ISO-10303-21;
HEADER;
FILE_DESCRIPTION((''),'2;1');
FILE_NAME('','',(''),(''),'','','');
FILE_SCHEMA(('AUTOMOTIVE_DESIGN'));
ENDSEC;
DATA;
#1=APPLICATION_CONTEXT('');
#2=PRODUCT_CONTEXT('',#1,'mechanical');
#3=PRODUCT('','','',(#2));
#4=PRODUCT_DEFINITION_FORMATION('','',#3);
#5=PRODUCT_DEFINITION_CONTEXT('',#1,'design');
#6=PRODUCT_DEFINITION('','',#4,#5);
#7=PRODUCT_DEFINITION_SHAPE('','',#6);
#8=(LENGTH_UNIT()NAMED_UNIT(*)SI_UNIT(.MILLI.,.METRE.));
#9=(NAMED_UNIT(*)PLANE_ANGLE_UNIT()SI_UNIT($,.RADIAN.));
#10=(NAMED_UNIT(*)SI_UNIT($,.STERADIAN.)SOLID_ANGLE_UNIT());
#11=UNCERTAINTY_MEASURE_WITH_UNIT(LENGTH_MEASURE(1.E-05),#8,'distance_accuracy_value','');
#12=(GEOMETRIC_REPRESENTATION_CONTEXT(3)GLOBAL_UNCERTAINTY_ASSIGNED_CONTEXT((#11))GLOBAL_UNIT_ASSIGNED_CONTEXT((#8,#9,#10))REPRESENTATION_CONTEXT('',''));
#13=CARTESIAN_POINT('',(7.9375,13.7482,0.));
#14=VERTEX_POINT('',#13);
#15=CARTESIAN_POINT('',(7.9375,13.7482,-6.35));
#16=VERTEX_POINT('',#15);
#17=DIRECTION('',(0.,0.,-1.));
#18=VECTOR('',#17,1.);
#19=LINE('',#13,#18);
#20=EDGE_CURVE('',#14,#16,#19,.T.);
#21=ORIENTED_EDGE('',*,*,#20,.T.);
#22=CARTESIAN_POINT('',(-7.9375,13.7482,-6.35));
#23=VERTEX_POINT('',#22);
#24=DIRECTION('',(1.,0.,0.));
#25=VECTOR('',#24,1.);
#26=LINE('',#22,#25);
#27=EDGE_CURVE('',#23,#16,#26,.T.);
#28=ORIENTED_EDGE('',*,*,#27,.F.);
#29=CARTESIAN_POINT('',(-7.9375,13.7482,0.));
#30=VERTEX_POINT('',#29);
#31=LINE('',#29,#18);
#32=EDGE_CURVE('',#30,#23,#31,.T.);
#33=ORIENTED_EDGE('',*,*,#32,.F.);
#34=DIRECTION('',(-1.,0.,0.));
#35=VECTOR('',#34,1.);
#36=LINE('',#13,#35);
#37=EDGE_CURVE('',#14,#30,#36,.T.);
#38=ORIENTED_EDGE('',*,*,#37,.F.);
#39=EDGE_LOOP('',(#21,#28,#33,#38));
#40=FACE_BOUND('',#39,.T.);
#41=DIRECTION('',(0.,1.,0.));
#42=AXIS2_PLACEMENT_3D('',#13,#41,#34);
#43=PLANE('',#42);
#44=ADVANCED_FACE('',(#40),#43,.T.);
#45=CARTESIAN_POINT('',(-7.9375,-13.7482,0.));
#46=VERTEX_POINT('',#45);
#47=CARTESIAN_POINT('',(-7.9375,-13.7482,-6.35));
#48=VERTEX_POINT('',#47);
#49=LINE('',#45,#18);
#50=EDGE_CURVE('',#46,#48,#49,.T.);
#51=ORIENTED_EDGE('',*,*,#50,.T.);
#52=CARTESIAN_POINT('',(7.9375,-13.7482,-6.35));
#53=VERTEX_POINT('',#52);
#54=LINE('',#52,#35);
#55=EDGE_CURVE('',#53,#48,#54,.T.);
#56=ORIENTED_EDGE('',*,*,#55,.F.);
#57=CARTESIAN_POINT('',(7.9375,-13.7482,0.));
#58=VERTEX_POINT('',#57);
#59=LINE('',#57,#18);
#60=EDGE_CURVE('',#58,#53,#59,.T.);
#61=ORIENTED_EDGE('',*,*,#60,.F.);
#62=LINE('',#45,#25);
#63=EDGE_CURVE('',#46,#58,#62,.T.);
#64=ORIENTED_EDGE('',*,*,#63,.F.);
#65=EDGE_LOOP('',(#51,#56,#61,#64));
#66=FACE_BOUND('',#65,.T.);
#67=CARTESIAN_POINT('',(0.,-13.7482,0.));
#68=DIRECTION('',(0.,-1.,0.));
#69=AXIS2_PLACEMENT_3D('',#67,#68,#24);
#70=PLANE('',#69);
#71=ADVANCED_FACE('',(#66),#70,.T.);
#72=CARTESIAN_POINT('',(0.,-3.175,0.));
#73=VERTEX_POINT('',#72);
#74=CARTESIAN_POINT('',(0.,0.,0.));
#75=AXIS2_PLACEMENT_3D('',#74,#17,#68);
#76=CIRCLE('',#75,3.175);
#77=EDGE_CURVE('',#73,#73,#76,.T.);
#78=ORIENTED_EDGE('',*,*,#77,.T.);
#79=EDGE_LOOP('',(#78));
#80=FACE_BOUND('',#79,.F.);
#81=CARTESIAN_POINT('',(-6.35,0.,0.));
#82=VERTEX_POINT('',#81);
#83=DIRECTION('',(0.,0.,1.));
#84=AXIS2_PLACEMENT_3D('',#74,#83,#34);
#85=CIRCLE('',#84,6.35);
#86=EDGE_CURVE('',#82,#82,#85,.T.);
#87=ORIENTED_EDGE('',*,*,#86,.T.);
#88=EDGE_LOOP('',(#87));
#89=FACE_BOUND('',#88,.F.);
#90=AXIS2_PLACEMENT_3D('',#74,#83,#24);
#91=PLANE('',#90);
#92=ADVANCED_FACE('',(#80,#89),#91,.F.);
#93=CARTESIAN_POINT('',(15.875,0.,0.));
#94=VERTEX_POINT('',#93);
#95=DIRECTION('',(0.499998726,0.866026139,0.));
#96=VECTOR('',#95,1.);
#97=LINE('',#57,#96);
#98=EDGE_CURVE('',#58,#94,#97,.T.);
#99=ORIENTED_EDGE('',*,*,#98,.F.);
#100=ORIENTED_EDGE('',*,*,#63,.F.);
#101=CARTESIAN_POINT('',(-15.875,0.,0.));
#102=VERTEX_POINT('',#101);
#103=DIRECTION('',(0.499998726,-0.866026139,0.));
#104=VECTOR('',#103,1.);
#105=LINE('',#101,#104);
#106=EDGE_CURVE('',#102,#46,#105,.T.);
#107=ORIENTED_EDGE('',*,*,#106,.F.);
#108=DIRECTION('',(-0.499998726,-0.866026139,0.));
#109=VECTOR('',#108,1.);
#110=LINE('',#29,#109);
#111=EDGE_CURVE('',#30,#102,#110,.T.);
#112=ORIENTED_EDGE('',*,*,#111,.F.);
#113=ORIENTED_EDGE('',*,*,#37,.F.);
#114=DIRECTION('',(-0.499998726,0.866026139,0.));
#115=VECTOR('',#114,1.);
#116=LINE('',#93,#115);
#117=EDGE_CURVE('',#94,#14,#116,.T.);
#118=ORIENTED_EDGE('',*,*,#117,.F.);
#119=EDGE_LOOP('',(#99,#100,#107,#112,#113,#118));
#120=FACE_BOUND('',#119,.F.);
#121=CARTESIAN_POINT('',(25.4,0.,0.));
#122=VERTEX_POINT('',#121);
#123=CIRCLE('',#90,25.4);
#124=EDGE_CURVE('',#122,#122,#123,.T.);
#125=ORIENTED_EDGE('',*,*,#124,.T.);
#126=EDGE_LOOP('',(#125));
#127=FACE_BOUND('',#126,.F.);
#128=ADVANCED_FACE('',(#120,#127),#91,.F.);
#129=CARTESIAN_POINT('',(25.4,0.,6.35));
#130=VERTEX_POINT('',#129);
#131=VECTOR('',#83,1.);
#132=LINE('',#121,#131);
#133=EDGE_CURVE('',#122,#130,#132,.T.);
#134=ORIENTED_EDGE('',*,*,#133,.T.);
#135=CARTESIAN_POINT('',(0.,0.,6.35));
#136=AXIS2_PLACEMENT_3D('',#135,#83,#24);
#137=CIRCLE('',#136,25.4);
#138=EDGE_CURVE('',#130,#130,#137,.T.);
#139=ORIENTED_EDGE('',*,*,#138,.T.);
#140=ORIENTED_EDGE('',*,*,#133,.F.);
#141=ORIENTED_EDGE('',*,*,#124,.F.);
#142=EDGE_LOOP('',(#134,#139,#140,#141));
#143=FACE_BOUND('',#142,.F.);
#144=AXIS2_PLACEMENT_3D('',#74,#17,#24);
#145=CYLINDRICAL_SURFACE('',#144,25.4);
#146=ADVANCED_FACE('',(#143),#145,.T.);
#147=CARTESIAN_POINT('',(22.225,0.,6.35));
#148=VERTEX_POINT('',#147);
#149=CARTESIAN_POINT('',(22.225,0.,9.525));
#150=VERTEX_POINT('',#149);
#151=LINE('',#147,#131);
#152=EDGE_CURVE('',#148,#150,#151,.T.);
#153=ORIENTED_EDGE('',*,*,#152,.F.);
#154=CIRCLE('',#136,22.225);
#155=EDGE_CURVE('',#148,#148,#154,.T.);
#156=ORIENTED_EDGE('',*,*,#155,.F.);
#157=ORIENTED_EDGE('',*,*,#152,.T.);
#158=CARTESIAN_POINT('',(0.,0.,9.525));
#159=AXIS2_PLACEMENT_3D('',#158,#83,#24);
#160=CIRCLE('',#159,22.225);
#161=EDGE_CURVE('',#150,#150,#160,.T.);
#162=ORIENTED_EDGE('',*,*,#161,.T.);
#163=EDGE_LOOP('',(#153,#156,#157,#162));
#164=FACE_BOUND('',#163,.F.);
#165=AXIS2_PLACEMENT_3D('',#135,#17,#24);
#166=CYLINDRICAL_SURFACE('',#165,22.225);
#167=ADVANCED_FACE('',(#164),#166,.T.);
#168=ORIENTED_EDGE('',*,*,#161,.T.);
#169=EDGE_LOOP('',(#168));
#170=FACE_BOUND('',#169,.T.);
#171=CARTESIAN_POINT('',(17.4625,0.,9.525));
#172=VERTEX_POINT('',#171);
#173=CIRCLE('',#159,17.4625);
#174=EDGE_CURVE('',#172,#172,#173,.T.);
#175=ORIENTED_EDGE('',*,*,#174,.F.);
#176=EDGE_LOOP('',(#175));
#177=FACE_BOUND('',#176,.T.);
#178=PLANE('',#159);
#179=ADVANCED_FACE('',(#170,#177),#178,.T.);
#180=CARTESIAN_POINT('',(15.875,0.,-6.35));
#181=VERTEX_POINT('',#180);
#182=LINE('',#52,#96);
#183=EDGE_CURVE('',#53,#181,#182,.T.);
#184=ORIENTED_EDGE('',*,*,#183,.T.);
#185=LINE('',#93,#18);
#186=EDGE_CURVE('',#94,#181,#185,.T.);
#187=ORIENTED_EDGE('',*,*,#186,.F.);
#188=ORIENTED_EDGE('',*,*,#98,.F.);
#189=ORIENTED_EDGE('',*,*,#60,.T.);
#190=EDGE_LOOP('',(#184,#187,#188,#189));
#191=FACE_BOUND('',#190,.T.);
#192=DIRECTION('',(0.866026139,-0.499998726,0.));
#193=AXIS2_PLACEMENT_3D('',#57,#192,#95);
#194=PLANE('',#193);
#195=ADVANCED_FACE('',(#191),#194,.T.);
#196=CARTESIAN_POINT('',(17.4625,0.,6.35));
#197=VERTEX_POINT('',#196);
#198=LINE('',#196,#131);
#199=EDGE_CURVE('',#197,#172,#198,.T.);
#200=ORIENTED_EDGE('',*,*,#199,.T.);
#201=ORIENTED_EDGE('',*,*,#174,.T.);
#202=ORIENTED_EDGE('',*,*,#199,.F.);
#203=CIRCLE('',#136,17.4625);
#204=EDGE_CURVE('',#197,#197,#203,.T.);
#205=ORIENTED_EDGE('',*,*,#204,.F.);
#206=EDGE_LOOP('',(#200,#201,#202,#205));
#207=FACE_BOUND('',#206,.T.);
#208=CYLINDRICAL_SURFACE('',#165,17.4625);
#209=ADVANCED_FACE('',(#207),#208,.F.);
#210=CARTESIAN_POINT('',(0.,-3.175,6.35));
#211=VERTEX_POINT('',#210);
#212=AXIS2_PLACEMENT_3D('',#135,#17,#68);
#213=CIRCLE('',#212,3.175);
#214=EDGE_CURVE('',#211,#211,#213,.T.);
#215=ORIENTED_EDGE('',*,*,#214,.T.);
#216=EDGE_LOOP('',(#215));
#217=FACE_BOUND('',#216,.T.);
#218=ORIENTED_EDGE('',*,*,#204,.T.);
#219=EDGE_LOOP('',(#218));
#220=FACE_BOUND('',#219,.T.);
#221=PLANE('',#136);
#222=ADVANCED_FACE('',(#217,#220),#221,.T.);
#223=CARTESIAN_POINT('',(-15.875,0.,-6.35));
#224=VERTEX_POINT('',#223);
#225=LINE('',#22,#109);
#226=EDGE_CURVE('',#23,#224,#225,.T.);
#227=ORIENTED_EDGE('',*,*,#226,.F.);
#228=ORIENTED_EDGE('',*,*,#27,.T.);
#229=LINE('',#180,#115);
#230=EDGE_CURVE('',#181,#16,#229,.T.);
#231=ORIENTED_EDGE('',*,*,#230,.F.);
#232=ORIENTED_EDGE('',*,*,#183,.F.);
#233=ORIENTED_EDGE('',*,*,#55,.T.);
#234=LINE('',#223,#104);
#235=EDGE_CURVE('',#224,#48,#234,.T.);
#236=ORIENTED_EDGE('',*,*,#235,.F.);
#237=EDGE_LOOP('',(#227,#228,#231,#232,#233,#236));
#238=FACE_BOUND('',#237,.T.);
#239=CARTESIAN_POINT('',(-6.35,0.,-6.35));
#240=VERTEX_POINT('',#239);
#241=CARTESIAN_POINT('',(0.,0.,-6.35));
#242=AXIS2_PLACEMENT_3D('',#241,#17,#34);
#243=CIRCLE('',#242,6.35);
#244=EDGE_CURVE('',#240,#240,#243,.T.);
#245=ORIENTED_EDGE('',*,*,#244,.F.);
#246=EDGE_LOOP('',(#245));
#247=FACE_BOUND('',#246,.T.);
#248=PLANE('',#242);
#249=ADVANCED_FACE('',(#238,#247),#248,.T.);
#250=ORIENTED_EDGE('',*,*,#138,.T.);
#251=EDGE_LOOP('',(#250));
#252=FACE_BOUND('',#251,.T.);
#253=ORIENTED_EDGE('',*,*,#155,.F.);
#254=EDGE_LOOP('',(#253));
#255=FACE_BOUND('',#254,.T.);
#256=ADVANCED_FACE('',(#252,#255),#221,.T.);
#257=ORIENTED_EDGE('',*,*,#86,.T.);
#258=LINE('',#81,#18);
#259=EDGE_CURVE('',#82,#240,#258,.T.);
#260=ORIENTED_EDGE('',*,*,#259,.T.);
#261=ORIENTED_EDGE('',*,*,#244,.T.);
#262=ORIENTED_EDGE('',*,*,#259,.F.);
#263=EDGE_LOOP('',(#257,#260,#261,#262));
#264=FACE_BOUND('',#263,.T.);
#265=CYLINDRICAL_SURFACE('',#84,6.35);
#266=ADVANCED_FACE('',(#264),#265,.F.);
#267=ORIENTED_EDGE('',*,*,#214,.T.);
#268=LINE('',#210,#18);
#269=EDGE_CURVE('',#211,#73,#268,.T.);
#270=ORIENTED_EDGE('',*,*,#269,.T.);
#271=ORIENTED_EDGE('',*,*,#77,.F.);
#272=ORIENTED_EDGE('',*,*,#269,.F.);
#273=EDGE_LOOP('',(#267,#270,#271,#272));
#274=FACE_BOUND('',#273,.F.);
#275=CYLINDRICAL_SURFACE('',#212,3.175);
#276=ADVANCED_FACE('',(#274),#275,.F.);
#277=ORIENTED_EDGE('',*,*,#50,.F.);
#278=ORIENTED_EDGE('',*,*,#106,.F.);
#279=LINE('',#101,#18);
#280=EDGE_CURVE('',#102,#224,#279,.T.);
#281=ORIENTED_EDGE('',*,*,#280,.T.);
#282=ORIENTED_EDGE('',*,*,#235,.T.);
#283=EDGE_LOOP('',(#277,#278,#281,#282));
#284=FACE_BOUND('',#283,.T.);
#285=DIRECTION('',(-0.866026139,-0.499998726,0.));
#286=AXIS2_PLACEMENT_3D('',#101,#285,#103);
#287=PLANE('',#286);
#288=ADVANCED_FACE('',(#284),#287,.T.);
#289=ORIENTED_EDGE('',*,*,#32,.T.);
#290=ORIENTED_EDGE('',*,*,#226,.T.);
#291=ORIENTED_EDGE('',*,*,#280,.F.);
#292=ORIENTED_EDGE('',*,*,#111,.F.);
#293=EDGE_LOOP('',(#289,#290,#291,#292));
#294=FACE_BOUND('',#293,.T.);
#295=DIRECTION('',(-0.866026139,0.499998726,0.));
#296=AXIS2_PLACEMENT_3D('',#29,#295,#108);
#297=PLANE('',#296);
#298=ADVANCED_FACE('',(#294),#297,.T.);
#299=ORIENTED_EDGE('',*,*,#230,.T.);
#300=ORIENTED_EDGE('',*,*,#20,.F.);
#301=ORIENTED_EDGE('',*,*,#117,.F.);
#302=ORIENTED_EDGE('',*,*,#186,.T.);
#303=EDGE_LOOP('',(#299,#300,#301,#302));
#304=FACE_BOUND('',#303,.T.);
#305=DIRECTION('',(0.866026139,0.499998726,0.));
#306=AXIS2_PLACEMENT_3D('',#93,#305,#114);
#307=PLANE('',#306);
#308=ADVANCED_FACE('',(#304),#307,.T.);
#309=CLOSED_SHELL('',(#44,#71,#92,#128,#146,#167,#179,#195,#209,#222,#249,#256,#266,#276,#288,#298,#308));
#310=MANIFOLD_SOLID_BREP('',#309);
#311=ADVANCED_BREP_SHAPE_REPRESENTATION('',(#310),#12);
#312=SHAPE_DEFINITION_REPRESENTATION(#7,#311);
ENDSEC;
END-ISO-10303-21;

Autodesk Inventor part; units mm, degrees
ref_plane "YZ Plane" through (0, 0, 0) normal (1, 0, 0) x (0, 1, 0)
ref_plane "XZ Plane" through (0, 0, 0) normal (0, 1, 0) x (-1, 0, 0)
ref_plane "XY Plane" through (0, 0, 0) normal (0, 0, 1) x (1, 0, 0)
sketch "Sketch1" plane through (0, 0, 0) normal (0, 0, 1) x (1, 0, 0)
  circle A0 centre (0, 0) radius 25.4
  dimension "d0" = 50.8
extrude "Extrusion1" add sketch "Sketch1" along normal blind 6.35
sketch "Sketch2" plane through (0, 0, 6.35) normal (0, 0, 1) x (1, 0, 0)
  circle A0 centre (0, 0) radius 17.4625
  circle A1 centre (0, 0) radius 22.225
  dimension "d3" = 34.925
  dimension "d4" = 44.45
extrude "Extrusion2" add sketch "Sketch2" along normal blind 3.175
sketch "Sketch3" plane through (0, 0, 0) normal (0, 0, -1) x (-1, 0, 0)
  line L0 (-15.875, 0) -> (-7.9375, 13.7482)
  line L1 (-7.9375, 13.7482) -> (7.9375, 13.7482)
  line L2 (7.9375, 13.7482) -> (15.875, 0)
  line L3 (15.875, 0) -> (7.9375, -13.7482)
  line L4 (7.9375, -13.7482) -> (-7.9375, -13.7482)
  line L5 (-7.9375, -13.7482) -> (-15.875, 0)
  circle A0 centre (0, 0) radius 6.35
  line L6 (0, -35.56) -> (0, 35.56) projected
  line L7 (-35.56, 0) -> (35.56, 0) projected
  dimension "d7" = 15.875
  dimension "d8" = 12.7
extrude "Extrusion3" add sketch "Sketch3" along normal blind 6.35 contours L7 A0 L6 L4 L5 | L0 L1 L6 A0 L7 | L1 L2 L7 A0 L6 | L6 A0 L7 L3 L4
hole "Hole1" at (0, 0, 6.35) direction (0, 0, -1) diameter 6.35 end through all
properties part number "2sides"
